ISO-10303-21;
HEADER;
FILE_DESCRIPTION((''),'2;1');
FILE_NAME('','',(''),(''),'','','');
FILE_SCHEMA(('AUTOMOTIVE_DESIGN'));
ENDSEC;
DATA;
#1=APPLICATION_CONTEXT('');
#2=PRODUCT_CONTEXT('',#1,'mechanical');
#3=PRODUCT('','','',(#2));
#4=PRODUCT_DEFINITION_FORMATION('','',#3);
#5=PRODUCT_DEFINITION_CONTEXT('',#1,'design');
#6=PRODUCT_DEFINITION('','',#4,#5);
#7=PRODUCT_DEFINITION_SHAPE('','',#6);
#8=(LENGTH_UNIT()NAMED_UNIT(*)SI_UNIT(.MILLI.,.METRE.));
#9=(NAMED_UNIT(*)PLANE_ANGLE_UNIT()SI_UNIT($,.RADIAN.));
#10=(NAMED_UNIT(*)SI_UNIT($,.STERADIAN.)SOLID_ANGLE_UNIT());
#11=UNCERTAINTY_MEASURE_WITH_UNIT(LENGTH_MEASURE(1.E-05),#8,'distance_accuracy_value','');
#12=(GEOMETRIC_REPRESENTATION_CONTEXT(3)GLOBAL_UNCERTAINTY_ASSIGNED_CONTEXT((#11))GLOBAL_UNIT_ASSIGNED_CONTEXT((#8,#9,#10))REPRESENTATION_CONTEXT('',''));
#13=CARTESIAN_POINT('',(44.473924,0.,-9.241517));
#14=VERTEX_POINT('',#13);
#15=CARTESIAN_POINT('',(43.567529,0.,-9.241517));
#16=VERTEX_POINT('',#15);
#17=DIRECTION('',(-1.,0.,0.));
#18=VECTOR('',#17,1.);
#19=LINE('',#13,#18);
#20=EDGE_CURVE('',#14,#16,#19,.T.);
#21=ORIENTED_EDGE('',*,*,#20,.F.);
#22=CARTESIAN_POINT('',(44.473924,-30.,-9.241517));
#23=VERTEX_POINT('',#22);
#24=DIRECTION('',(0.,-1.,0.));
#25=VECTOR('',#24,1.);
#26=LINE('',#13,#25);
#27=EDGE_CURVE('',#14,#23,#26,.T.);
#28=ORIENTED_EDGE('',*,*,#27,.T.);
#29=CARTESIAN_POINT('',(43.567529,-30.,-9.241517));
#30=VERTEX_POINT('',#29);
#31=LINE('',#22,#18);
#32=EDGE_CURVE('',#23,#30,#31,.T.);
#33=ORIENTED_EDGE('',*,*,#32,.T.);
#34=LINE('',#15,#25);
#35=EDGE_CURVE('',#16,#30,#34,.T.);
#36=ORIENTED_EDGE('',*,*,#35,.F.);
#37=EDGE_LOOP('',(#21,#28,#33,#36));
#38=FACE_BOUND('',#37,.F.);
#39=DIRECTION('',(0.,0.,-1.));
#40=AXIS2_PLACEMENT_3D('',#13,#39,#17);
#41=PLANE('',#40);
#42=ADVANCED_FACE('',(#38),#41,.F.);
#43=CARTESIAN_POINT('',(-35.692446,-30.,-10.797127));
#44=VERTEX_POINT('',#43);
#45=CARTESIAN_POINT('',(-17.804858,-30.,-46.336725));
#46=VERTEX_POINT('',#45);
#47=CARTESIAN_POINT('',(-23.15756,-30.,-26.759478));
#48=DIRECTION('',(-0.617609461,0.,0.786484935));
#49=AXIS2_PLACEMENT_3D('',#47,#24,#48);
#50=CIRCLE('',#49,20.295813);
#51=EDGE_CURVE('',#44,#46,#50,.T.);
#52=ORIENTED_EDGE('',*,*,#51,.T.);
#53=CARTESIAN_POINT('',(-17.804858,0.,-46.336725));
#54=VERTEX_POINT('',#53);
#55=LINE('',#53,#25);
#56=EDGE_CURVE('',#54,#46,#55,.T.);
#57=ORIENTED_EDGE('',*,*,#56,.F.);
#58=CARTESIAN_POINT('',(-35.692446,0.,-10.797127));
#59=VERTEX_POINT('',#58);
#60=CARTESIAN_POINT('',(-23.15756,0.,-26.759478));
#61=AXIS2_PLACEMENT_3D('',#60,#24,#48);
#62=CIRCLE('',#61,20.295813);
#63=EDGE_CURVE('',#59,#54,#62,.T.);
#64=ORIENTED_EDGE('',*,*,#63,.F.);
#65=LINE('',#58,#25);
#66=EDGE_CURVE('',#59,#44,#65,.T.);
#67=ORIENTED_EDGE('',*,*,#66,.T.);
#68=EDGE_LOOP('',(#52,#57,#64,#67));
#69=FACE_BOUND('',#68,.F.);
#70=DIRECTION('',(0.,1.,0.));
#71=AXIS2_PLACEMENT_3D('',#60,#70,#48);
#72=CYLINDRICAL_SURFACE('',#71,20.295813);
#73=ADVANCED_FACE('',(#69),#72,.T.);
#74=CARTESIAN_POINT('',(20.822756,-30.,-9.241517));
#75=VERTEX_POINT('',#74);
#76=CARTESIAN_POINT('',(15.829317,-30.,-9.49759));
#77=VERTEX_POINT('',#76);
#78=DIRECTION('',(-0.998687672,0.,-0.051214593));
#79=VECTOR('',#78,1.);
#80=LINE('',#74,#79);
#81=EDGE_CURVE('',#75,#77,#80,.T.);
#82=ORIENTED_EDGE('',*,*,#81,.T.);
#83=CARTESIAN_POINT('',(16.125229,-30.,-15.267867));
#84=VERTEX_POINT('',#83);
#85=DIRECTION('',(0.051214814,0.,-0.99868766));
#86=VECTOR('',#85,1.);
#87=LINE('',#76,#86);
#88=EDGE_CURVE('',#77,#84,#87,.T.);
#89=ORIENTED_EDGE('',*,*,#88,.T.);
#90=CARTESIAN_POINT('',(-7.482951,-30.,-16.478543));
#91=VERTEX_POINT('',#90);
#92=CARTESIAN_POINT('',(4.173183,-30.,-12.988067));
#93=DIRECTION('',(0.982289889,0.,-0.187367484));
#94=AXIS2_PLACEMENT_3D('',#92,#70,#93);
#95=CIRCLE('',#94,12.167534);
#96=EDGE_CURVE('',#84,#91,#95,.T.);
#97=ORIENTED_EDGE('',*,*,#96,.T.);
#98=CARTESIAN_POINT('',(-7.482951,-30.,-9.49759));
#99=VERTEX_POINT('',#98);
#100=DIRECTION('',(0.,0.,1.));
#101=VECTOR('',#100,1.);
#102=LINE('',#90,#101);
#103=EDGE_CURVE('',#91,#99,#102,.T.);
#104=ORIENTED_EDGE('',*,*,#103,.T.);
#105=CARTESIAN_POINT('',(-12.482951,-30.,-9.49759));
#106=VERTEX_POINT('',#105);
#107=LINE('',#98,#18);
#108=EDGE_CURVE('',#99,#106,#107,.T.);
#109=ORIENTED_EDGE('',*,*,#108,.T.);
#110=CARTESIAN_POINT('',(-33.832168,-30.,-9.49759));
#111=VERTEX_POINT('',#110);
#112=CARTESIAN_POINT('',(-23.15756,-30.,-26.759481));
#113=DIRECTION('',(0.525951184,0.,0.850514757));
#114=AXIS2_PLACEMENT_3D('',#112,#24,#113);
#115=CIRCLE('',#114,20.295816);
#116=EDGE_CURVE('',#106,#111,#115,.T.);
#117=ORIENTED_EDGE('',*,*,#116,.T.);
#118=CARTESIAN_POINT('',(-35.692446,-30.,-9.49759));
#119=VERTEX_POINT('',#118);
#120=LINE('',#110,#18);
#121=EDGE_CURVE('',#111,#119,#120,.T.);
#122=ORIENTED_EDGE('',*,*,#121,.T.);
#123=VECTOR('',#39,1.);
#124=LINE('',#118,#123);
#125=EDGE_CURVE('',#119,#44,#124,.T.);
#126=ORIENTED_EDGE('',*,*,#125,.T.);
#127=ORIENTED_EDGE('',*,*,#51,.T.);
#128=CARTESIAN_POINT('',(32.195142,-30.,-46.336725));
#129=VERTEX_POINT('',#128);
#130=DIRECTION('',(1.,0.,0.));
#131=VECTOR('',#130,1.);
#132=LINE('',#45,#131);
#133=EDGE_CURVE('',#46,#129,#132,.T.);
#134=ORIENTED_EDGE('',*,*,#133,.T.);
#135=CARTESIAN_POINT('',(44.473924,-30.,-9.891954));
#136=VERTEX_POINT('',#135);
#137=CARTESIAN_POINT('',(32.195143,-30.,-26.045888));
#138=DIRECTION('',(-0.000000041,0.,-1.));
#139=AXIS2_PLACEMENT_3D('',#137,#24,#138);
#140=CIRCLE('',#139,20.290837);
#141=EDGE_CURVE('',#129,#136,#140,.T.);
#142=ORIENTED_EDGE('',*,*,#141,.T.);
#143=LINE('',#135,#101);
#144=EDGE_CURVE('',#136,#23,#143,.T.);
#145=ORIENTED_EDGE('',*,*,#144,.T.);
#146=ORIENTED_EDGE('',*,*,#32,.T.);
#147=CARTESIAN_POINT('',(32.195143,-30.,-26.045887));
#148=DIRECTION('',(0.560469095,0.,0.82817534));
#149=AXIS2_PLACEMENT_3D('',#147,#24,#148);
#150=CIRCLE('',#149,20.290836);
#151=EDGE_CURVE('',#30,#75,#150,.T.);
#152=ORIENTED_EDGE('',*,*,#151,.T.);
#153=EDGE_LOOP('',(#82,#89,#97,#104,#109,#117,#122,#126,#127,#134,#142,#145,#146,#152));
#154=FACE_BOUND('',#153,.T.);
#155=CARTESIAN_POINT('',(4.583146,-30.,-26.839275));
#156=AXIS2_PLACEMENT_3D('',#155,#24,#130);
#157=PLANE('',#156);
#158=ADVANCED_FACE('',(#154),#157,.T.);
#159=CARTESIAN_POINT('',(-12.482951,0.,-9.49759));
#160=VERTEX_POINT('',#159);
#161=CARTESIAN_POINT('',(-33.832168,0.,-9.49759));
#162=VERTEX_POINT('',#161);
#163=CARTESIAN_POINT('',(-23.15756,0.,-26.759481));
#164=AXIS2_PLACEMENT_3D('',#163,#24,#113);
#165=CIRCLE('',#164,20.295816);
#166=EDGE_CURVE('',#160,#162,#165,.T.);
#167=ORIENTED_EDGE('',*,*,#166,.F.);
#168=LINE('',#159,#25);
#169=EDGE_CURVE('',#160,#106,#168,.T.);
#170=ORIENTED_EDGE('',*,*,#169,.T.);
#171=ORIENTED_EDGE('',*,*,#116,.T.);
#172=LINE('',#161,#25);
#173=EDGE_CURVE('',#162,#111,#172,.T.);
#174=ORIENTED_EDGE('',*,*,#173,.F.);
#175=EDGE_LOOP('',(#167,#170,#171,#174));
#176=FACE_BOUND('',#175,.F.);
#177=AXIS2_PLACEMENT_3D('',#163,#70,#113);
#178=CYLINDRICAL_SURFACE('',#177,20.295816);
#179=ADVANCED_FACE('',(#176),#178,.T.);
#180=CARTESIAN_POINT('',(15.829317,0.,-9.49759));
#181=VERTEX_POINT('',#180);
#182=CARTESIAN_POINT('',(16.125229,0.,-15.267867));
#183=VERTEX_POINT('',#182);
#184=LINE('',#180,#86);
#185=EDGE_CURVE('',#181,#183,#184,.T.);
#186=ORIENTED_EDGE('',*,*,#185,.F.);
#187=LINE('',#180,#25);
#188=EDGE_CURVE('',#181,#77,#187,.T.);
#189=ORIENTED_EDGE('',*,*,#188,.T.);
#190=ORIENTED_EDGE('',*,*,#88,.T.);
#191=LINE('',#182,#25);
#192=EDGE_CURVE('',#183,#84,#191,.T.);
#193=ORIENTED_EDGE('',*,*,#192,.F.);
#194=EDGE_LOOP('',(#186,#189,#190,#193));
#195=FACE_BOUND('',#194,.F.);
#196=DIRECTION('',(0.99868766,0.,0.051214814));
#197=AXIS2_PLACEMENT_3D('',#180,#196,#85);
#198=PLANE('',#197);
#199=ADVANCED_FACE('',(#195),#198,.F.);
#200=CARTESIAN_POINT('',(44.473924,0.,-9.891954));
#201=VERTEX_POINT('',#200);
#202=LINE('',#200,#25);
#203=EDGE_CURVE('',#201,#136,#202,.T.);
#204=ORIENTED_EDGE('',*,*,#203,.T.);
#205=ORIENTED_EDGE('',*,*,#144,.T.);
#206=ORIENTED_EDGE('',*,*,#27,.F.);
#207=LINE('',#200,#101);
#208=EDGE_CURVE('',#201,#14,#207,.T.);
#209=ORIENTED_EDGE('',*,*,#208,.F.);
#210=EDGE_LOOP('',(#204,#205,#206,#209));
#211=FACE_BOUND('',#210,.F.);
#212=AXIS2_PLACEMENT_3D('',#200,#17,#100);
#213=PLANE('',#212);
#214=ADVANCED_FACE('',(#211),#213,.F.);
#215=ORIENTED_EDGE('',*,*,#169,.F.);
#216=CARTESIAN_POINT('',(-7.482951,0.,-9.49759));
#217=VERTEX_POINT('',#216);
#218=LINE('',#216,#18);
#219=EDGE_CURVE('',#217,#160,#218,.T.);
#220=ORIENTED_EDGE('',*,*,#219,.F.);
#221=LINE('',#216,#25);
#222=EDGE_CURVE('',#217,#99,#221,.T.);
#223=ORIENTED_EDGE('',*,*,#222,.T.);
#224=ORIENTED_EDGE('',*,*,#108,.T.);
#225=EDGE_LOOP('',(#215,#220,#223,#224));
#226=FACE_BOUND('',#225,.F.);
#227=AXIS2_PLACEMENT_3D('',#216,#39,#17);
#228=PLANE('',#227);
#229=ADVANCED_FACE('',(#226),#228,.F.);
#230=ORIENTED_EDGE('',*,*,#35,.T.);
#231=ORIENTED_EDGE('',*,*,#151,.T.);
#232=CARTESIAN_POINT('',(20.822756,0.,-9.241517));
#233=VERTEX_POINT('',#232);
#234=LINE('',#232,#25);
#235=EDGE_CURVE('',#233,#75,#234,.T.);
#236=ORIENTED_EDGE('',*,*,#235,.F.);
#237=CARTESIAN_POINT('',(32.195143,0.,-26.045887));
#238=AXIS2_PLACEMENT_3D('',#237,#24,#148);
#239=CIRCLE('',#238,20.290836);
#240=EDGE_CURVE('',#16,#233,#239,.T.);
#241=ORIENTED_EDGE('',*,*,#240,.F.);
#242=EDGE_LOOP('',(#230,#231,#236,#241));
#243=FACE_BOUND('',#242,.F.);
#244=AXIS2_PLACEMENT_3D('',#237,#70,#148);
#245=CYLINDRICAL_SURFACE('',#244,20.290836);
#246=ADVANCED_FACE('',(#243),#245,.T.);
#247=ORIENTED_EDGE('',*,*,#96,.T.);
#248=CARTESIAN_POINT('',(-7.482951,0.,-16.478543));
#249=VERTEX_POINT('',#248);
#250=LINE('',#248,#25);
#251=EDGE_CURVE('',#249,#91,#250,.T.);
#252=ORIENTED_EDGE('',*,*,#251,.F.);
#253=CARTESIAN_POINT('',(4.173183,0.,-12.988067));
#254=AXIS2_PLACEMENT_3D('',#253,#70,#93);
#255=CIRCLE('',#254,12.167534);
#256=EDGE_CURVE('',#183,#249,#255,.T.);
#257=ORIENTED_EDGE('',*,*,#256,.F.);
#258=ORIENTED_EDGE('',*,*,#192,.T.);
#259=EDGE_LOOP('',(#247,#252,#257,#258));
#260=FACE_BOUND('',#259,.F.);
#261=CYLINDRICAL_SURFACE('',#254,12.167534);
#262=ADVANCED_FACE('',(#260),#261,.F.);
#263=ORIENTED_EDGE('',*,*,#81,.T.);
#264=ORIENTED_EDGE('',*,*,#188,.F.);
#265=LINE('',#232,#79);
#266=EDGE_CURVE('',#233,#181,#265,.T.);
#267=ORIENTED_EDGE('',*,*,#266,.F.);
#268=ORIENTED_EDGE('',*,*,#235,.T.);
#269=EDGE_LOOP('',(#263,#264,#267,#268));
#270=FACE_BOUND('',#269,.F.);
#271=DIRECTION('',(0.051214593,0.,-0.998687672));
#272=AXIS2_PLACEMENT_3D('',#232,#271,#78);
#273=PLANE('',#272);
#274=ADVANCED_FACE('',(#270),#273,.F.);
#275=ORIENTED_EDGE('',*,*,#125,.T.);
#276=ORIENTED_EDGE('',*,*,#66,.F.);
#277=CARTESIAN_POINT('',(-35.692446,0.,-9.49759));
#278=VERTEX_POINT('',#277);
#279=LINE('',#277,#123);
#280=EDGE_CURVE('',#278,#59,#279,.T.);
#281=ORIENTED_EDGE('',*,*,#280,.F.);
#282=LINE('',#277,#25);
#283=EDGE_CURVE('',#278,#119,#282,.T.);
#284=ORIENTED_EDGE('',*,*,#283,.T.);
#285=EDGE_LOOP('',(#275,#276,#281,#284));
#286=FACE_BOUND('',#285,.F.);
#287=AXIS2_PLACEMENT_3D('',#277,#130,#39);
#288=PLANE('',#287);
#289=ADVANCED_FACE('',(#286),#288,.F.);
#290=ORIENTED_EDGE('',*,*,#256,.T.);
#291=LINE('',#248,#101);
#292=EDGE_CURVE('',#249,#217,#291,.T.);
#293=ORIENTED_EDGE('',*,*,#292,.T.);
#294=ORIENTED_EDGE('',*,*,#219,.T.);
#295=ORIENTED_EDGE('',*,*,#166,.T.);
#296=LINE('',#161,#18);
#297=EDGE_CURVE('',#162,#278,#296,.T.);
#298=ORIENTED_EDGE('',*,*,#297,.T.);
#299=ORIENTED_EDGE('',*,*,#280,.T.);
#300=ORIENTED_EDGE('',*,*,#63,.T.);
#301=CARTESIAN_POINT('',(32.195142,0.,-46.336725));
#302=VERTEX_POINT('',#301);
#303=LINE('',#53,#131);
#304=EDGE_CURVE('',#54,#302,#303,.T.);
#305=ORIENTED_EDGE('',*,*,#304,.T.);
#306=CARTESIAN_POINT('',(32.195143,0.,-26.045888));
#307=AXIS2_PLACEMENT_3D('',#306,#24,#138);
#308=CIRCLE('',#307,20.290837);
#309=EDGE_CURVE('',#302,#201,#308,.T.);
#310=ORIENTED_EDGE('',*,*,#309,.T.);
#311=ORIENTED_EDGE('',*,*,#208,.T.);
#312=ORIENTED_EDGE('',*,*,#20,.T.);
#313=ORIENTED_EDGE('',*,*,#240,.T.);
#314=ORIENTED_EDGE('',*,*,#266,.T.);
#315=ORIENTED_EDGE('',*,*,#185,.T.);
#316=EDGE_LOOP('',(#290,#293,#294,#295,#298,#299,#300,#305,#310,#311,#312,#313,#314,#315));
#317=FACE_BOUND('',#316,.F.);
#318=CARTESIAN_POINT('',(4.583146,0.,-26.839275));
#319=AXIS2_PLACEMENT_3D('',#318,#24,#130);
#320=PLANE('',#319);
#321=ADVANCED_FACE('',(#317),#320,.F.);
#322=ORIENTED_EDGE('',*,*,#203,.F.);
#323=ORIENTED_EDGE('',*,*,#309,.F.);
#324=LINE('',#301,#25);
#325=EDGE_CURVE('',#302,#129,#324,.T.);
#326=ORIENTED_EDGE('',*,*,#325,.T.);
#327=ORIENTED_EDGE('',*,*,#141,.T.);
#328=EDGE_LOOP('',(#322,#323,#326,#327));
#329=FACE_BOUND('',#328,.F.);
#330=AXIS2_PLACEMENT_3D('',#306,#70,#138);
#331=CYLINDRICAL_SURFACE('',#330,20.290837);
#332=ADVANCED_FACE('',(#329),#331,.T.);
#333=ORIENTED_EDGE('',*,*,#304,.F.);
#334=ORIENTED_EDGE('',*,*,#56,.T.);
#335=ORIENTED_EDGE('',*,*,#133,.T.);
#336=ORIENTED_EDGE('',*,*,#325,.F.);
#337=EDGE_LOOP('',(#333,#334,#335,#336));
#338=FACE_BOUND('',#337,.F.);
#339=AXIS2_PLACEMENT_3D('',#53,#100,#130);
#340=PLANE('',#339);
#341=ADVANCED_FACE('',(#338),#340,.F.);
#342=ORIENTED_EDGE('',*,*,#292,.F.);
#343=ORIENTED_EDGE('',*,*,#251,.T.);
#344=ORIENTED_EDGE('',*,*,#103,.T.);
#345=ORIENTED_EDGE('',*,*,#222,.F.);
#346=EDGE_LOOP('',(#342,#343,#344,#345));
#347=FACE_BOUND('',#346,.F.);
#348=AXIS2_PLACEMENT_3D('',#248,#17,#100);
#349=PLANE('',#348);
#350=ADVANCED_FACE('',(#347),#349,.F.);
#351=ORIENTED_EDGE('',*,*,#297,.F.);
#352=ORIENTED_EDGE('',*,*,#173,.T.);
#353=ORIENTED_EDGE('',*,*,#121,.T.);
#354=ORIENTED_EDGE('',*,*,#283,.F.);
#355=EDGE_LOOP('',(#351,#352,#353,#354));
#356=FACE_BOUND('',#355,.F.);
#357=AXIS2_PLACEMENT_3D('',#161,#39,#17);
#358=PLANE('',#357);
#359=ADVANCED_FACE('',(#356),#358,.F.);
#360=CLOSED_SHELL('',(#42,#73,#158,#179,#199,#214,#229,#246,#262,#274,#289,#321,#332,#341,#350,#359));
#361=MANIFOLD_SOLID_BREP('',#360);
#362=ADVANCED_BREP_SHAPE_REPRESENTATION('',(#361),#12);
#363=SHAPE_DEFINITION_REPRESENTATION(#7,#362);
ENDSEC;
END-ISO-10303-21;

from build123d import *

# Parameters (mm, degrees)
F1_DEPTH = 30


with BuildPart() as f1:
    # F0 (on Front) → F1 (new body)
    with BuildSketch(Plane.XZ):
        with BuildLine():
            ThreePointArc((-35.692446, -10.797127), (-41.286589, -35.884078), (-17.804858, -46.336725))
            Line((-17.804858, -46.336725), (32.195142, -46.336725))
            ThreePointArc((32.195142, -46.336725), (51.423961, -32.524361), (44.473924, -9.891954))
            ThreePointArc((44.473924, -9.891954), (44.025197, -9.560505), (43.567529, -9.241517))
            ThreePointArc((43.567529, -9.241517), (32.195142, -5.755051), (20.822756, -9.241517))
            Line((20.822756, -9.241517), (15.829317, -9.49759))
            Line((15.829317, -9.49759), (16.125229, -15.267867))
            ThreePointArc((16.125229, -15.267867), (4.796341, -25.139633), (-7.482951, -16.478543))
            Line((-7.482951, -16.478543), (-7.482951, -9.49759))
            Line((-7.482951, -9.49759), (-12.482951, -9.49759))
            ThreePointArc((-12.482951, -9.49759), (-23.157559, -6.463665), (-33.832168, -9.49759))
            ThreePointArc((-33.832168, -9.49759), (-34.780484, -10.121339), (-35.692446, -10.797127))
        make_face()
        with BuildLine():
            Line((-35.692446, -9.49759), (-35.692446, -10.797127))
            ThreePointArc((-35.692446, -10.797127), (-34.780484, -10.121339), (-33.832168, -9.49759))
            Line((-33.832168, -9.49759), (-35.692446, -9.49759))
        make_face()
        with BuildLine():
            ThreePointArc((43.567529, -9.241517), (44.025197, -9.560505), (44.473924, -9.891954))
            Line((44.473924, -9.891954), (44.473924, -9.241517))
            Line((44.473924, -9.241517), (43.567529, -9.241517))
        make_face()
    extrude(amount=F1_DEPTH)


solid = f1.part
